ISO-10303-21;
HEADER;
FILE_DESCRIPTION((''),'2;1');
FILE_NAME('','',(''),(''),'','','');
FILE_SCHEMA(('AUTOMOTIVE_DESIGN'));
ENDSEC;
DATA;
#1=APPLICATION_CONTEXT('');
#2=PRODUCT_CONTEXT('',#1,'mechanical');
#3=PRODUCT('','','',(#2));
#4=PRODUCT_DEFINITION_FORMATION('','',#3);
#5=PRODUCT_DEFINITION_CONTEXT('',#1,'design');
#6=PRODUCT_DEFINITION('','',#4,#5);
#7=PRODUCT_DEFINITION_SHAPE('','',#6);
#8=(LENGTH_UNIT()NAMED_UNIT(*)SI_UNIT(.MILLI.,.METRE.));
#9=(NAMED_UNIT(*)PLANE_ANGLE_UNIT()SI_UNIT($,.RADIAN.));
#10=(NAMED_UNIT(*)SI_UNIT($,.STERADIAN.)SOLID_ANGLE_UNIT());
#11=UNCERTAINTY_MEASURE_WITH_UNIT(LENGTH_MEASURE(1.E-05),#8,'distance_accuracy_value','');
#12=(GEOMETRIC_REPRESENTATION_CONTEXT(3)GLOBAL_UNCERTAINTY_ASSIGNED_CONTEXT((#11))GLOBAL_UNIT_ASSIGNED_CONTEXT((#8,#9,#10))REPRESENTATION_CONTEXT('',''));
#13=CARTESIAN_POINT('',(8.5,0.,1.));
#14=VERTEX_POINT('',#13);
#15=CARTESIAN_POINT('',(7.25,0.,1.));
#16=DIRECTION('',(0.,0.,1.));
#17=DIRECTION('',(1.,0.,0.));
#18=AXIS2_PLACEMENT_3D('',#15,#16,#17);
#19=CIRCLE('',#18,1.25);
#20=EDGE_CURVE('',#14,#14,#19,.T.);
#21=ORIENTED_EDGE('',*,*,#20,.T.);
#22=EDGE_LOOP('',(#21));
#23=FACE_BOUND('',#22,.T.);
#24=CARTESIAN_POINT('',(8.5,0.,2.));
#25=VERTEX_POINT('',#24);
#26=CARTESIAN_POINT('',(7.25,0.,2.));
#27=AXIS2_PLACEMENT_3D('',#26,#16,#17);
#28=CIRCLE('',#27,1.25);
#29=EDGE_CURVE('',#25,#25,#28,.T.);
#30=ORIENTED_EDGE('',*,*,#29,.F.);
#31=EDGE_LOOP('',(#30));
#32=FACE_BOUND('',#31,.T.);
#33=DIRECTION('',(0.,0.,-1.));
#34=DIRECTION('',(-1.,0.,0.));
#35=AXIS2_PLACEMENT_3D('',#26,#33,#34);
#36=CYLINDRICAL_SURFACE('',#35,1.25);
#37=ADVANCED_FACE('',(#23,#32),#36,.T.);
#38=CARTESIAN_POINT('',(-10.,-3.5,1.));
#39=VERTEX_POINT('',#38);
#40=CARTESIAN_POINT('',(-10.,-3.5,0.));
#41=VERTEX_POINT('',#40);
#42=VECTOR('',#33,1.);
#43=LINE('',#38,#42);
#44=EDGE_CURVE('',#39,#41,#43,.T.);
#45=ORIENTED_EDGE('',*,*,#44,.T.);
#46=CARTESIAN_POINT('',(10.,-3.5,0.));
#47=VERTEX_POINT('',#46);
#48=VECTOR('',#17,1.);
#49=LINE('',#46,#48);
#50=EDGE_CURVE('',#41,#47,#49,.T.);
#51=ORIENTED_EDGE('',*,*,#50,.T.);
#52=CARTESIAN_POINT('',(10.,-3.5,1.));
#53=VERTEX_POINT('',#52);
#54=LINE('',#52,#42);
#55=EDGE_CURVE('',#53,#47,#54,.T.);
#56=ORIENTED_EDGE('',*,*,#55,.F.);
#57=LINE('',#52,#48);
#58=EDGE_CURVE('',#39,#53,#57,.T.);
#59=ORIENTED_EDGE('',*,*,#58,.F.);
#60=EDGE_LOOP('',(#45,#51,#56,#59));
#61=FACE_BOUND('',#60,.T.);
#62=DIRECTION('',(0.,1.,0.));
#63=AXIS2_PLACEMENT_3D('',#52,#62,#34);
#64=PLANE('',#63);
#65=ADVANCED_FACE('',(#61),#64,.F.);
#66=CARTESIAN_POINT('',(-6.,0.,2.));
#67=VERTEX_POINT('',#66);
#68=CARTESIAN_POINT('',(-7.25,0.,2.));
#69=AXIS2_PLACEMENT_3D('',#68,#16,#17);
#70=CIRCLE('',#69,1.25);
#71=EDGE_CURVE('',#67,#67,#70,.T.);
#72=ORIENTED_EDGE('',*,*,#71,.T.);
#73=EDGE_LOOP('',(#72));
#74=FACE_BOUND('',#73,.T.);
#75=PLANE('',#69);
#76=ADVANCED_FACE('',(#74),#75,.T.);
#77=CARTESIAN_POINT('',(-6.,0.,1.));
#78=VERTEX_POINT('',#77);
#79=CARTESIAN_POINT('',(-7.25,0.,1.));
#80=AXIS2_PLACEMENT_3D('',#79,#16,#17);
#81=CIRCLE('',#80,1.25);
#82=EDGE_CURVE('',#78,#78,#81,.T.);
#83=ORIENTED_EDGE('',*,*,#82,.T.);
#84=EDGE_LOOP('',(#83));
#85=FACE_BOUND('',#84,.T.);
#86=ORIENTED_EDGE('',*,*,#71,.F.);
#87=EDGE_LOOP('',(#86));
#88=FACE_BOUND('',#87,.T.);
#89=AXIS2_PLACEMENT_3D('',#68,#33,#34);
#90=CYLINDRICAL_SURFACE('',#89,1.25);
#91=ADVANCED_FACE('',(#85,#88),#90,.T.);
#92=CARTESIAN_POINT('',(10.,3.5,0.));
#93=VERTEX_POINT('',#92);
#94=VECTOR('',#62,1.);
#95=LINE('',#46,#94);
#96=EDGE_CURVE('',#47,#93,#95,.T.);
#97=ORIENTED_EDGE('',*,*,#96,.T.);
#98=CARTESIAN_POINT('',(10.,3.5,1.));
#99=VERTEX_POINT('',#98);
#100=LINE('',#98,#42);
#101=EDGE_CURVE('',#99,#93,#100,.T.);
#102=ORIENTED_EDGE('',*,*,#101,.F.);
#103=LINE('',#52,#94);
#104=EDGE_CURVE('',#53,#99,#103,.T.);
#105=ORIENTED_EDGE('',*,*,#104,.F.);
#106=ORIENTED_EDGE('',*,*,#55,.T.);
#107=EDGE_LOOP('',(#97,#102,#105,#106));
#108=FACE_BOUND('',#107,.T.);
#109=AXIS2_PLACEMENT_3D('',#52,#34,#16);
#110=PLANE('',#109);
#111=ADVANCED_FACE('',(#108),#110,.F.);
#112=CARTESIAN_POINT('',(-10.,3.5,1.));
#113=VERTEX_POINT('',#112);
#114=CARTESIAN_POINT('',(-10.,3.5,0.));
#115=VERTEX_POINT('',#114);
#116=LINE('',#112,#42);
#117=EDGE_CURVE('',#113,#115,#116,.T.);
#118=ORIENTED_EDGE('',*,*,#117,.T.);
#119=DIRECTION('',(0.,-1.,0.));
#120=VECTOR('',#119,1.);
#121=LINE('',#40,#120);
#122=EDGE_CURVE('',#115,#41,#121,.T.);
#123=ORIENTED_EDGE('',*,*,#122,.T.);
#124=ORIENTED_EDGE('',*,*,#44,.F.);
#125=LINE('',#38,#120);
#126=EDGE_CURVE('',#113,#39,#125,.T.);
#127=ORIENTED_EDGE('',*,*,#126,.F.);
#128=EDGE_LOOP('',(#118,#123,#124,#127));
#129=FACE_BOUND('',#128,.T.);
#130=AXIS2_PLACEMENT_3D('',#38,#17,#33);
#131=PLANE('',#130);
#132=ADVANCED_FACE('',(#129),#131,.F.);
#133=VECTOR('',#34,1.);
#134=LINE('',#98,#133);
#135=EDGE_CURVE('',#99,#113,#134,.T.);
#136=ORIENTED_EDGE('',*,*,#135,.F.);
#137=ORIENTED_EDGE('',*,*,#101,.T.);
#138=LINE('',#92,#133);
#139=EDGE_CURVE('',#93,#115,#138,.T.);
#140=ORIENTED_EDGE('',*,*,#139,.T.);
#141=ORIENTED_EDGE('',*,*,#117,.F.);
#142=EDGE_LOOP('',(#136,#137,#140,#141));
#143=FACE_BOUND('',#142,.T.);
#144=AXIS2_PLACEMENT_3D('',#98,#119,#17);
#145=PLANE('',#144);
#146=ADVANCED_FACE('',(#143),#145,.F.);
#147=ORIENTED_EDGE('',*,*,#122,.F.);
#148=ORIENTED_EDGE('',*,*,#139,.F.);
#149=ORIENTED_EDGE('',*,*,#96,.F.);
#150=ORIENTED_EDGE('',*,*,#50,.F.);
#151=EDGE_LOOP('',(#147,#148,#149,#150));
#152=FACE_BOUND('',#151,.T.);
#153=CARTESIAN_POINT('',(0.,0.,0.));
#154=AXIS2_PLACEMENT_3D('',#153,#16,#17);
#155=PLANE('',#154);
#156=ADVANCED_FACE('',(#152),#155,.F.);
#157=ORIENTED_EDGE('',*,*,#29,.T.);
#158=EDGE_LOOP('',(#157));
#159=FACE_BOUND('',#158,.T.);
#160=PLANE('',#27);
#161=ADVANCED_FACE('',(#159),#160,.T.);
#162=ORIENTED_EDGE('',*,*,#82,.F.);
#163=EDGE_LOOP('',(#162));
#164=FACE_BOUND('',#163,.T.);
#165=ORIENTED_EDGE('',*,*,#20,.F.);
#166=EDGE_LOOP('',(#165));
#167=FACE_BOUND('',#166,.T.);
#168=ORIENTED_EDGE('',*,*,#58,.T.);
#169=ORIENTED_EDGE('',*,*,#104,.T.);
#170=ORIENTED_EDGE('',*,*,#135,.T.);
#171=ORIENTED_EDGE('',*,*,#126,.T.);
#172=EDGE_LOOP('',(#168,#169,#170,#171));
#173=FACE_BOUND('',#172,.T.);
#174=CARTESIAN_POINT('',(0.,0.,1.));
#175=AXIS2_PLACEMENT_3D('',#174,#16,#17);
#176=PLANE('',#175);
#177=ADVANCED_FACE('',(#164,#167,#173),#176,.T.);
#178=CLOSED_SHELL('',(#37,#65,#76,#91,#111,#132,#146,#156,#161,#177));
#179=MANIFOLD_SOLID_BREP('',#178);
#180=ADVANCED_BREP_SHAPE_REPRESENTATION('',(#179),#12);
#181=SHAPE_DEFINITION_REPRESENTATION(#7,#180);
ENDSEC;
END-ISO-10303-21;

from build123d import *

# Parameters (mm, degrees)
SKETCH1_W           = 20
SKETCH1_H           = 7
BOSS_EXTRUDE1_DEPTH = 1
SKETCH2_R           = 1.25
BOSS_EXTRUDE2_DEPTH = 1


with BuildPart() as part:
    # Sketch1 → Boss-Extrude1 (new body)
    with BuildSketch(Plane.XY):
        Rectangle(SKETCH1_W, SKETCH1_H)
    extrude(amount=BOSS_EXTRUDE1_DEPTH)

    # Sketch2 → Boss-Extrude2 (add)
    with BuildSketch(Plane.XY.offset(1)):
        with Locations((-7.25, 0)):
            Circle(SKETCH2_R)
        with Locations((7.25, 0)):
            Circle(SKETCH2_R)
    extrude(amount=BOSS_EXTRUDE2_DEPTH)


solid = part.part
